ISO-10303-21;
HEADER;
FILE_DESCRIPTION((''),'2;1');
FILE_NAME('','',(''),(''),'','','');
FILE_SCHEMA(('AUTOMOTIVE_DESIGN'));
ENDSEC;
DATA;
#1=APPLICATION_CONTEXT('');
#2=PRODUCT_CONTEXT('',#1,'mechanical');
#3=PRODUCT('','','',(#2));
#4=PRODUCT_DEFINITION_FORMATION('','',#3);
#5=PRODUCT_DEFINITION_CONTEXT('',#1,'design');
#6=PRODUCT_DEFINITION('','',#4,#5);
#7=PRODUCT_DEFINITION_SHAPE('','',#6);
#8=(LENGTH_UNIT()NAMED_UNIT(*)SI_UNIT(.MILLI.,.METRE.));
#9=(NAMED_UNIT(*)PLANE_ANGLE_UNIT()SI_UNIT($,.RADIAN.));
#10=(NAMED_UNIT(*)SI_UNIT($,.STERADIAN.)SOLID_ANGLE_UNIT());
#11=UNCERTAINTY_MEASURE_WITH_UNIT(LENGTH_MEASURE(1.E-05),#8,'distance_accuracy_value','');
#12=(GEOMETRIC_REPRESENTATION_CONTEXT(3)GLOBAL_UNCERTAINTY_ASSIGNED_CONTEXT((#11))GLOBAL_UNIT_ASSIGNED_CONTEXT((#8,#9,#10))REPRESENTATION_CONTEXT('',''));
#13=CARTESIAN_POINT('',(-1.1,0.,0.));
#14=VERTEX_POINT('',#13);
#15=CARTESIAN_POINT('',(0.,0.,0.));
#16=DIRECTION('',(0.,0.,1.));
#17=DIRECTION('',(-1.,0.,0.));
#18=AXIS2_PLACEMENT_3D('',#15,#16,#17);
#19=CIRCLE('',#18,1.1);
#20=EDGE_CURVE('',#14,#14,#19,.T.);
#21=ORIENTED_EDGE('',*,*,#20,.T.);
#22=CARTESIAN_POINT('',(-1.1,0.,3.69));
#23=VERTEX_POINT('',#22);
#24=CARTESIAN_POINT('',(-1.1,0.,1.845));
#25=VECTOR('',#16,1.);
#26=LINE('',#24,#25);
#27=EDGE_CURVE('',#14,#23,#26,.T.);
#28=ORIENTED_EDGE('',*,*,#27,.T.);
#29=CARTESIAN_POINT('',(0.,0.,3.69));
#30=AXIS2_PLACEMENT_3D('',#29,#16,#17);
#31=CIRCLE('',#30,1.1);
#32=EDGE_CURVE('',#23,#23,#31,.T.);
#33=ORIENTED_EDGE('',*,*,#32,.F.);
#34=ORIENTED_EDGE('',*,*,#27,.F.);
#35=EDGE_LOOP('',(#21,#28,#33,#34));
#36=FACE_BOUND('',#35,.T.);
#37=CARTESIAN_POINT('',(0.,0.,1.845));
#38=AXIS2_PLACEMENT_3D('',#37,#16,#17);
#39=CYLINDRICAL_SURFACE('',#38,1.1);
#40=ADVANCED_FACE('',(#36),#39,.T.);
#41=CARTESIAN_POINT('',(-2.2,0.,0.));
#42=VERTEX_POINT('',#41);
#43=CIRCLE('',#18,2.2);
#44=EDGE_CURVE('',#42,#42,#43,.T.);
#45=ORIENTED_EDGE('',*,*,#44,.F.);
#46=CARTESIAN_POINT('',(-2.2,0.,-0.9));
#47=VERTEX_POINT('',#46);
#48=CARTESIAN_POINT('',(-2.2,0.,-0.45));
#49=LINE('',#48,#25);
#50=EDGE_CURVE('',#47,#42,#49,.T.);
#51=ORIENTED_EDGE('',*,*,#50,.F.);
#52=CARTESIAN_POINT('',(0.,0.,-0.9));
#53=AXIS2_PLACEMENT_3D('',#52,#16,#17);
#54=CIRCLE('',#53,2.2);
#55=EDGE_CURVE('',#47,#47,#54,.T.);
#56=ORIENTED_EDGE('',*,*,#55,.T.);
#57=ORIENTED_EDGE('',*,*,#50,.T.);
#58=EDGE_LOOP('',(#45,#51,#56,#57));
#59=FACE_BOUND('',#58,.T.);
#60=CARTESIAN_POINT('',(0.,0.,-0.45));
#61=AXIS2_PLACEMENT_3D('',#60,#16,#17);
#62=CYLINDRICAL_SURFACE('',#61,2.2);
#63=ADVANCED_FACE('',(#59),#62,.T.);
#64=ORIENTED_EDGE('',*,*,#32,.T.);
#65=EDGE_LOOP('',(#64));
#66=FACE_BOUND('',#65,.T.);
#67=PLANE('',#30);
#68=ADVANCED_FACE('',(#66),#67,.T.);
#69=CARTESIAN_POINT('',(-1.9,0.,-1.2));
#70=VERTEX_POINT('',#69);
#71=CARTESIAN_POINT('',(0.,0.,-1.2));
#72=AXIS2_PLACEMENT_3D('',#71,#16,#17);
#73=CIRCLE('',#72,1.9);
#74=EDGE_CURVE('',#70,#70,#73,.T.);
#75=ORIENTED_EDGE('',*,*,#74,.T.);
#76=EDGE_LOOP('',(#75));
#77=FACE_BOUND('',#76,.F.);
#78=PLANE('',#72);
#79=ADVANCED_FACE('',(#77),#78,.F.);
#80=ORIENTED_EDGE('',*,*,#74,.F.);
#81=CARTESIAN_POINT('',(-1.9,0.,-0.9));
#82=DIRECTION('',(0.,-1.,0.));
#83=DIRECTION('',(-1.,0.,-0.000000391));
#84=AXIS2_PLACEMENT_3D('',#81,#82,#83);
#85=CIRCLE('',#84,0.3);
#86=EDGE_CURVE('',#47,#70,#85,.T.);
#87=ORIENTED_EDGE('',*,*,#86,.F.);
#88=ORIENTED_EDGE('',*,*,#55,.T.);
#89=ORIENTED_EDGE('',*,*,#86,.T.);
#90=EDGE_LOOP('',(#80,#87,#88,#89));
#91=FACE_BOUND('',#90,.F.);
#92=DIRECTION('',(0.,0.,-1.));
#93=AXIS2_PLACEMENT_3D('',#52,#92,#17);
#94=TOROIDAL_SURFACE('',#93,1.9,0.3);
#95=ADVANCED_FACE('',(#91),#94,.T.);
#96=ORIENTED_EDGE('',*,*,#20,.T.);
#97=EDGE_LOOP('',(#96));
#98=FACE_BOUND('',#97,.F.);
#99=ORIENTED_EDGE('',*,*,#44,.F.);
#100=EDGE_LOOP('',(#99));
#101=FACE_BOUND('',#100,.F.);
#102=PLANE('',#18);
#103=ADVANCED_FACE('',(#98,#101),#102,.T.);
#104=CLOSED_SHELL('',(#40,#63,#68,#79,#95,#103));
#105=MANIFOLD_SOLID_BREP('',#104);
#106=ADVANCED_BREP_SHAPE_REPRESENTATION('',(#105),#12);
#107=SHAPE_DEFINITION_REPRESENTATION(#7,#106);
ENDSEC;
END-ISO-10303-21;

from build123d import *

# Parameters (mm, degrees)
F0_W   = 1.1
F0_H   = 3.69
F0_W_2 = 1.9
F0_H_2 = 0.3
F0_W_3 = 0.3
F0_H_3 = 0.9


with BuildPart() as f1:
    # F0 (on Front) → F1 (revolve)
    with BuildSketch(Plane.XZ):
        with Locations((-0.55, 1.845)):
            Rectangle(F0_W, F0_H)
        Polygon((0, -0.9), (0, 0), (-1.1, 0), (-1.9, 0), (-1.9, -0.9), align=None)
        with Locations((-0.95, -1.05)):
            Rectangle(F0_W_2, F0_H_2)
        with BuildLine():
            Line((-1.9, -1.2), (-1.9, -0.9))
            Line((-1.9, -0.9), (-2.2, -0.9))
            ThreePointArc((-2.2, -0.9), (-2.112132, -1.112132), (-1.9, -1.2))
        make_face()
        with Locations((-2.05, -0.45)):
            Rectangle(F0_W_3, F0_H_3)
    revolve(axis=Axis((0, 0, 1.845), (0, 0, 1)))


solid = f1.part
